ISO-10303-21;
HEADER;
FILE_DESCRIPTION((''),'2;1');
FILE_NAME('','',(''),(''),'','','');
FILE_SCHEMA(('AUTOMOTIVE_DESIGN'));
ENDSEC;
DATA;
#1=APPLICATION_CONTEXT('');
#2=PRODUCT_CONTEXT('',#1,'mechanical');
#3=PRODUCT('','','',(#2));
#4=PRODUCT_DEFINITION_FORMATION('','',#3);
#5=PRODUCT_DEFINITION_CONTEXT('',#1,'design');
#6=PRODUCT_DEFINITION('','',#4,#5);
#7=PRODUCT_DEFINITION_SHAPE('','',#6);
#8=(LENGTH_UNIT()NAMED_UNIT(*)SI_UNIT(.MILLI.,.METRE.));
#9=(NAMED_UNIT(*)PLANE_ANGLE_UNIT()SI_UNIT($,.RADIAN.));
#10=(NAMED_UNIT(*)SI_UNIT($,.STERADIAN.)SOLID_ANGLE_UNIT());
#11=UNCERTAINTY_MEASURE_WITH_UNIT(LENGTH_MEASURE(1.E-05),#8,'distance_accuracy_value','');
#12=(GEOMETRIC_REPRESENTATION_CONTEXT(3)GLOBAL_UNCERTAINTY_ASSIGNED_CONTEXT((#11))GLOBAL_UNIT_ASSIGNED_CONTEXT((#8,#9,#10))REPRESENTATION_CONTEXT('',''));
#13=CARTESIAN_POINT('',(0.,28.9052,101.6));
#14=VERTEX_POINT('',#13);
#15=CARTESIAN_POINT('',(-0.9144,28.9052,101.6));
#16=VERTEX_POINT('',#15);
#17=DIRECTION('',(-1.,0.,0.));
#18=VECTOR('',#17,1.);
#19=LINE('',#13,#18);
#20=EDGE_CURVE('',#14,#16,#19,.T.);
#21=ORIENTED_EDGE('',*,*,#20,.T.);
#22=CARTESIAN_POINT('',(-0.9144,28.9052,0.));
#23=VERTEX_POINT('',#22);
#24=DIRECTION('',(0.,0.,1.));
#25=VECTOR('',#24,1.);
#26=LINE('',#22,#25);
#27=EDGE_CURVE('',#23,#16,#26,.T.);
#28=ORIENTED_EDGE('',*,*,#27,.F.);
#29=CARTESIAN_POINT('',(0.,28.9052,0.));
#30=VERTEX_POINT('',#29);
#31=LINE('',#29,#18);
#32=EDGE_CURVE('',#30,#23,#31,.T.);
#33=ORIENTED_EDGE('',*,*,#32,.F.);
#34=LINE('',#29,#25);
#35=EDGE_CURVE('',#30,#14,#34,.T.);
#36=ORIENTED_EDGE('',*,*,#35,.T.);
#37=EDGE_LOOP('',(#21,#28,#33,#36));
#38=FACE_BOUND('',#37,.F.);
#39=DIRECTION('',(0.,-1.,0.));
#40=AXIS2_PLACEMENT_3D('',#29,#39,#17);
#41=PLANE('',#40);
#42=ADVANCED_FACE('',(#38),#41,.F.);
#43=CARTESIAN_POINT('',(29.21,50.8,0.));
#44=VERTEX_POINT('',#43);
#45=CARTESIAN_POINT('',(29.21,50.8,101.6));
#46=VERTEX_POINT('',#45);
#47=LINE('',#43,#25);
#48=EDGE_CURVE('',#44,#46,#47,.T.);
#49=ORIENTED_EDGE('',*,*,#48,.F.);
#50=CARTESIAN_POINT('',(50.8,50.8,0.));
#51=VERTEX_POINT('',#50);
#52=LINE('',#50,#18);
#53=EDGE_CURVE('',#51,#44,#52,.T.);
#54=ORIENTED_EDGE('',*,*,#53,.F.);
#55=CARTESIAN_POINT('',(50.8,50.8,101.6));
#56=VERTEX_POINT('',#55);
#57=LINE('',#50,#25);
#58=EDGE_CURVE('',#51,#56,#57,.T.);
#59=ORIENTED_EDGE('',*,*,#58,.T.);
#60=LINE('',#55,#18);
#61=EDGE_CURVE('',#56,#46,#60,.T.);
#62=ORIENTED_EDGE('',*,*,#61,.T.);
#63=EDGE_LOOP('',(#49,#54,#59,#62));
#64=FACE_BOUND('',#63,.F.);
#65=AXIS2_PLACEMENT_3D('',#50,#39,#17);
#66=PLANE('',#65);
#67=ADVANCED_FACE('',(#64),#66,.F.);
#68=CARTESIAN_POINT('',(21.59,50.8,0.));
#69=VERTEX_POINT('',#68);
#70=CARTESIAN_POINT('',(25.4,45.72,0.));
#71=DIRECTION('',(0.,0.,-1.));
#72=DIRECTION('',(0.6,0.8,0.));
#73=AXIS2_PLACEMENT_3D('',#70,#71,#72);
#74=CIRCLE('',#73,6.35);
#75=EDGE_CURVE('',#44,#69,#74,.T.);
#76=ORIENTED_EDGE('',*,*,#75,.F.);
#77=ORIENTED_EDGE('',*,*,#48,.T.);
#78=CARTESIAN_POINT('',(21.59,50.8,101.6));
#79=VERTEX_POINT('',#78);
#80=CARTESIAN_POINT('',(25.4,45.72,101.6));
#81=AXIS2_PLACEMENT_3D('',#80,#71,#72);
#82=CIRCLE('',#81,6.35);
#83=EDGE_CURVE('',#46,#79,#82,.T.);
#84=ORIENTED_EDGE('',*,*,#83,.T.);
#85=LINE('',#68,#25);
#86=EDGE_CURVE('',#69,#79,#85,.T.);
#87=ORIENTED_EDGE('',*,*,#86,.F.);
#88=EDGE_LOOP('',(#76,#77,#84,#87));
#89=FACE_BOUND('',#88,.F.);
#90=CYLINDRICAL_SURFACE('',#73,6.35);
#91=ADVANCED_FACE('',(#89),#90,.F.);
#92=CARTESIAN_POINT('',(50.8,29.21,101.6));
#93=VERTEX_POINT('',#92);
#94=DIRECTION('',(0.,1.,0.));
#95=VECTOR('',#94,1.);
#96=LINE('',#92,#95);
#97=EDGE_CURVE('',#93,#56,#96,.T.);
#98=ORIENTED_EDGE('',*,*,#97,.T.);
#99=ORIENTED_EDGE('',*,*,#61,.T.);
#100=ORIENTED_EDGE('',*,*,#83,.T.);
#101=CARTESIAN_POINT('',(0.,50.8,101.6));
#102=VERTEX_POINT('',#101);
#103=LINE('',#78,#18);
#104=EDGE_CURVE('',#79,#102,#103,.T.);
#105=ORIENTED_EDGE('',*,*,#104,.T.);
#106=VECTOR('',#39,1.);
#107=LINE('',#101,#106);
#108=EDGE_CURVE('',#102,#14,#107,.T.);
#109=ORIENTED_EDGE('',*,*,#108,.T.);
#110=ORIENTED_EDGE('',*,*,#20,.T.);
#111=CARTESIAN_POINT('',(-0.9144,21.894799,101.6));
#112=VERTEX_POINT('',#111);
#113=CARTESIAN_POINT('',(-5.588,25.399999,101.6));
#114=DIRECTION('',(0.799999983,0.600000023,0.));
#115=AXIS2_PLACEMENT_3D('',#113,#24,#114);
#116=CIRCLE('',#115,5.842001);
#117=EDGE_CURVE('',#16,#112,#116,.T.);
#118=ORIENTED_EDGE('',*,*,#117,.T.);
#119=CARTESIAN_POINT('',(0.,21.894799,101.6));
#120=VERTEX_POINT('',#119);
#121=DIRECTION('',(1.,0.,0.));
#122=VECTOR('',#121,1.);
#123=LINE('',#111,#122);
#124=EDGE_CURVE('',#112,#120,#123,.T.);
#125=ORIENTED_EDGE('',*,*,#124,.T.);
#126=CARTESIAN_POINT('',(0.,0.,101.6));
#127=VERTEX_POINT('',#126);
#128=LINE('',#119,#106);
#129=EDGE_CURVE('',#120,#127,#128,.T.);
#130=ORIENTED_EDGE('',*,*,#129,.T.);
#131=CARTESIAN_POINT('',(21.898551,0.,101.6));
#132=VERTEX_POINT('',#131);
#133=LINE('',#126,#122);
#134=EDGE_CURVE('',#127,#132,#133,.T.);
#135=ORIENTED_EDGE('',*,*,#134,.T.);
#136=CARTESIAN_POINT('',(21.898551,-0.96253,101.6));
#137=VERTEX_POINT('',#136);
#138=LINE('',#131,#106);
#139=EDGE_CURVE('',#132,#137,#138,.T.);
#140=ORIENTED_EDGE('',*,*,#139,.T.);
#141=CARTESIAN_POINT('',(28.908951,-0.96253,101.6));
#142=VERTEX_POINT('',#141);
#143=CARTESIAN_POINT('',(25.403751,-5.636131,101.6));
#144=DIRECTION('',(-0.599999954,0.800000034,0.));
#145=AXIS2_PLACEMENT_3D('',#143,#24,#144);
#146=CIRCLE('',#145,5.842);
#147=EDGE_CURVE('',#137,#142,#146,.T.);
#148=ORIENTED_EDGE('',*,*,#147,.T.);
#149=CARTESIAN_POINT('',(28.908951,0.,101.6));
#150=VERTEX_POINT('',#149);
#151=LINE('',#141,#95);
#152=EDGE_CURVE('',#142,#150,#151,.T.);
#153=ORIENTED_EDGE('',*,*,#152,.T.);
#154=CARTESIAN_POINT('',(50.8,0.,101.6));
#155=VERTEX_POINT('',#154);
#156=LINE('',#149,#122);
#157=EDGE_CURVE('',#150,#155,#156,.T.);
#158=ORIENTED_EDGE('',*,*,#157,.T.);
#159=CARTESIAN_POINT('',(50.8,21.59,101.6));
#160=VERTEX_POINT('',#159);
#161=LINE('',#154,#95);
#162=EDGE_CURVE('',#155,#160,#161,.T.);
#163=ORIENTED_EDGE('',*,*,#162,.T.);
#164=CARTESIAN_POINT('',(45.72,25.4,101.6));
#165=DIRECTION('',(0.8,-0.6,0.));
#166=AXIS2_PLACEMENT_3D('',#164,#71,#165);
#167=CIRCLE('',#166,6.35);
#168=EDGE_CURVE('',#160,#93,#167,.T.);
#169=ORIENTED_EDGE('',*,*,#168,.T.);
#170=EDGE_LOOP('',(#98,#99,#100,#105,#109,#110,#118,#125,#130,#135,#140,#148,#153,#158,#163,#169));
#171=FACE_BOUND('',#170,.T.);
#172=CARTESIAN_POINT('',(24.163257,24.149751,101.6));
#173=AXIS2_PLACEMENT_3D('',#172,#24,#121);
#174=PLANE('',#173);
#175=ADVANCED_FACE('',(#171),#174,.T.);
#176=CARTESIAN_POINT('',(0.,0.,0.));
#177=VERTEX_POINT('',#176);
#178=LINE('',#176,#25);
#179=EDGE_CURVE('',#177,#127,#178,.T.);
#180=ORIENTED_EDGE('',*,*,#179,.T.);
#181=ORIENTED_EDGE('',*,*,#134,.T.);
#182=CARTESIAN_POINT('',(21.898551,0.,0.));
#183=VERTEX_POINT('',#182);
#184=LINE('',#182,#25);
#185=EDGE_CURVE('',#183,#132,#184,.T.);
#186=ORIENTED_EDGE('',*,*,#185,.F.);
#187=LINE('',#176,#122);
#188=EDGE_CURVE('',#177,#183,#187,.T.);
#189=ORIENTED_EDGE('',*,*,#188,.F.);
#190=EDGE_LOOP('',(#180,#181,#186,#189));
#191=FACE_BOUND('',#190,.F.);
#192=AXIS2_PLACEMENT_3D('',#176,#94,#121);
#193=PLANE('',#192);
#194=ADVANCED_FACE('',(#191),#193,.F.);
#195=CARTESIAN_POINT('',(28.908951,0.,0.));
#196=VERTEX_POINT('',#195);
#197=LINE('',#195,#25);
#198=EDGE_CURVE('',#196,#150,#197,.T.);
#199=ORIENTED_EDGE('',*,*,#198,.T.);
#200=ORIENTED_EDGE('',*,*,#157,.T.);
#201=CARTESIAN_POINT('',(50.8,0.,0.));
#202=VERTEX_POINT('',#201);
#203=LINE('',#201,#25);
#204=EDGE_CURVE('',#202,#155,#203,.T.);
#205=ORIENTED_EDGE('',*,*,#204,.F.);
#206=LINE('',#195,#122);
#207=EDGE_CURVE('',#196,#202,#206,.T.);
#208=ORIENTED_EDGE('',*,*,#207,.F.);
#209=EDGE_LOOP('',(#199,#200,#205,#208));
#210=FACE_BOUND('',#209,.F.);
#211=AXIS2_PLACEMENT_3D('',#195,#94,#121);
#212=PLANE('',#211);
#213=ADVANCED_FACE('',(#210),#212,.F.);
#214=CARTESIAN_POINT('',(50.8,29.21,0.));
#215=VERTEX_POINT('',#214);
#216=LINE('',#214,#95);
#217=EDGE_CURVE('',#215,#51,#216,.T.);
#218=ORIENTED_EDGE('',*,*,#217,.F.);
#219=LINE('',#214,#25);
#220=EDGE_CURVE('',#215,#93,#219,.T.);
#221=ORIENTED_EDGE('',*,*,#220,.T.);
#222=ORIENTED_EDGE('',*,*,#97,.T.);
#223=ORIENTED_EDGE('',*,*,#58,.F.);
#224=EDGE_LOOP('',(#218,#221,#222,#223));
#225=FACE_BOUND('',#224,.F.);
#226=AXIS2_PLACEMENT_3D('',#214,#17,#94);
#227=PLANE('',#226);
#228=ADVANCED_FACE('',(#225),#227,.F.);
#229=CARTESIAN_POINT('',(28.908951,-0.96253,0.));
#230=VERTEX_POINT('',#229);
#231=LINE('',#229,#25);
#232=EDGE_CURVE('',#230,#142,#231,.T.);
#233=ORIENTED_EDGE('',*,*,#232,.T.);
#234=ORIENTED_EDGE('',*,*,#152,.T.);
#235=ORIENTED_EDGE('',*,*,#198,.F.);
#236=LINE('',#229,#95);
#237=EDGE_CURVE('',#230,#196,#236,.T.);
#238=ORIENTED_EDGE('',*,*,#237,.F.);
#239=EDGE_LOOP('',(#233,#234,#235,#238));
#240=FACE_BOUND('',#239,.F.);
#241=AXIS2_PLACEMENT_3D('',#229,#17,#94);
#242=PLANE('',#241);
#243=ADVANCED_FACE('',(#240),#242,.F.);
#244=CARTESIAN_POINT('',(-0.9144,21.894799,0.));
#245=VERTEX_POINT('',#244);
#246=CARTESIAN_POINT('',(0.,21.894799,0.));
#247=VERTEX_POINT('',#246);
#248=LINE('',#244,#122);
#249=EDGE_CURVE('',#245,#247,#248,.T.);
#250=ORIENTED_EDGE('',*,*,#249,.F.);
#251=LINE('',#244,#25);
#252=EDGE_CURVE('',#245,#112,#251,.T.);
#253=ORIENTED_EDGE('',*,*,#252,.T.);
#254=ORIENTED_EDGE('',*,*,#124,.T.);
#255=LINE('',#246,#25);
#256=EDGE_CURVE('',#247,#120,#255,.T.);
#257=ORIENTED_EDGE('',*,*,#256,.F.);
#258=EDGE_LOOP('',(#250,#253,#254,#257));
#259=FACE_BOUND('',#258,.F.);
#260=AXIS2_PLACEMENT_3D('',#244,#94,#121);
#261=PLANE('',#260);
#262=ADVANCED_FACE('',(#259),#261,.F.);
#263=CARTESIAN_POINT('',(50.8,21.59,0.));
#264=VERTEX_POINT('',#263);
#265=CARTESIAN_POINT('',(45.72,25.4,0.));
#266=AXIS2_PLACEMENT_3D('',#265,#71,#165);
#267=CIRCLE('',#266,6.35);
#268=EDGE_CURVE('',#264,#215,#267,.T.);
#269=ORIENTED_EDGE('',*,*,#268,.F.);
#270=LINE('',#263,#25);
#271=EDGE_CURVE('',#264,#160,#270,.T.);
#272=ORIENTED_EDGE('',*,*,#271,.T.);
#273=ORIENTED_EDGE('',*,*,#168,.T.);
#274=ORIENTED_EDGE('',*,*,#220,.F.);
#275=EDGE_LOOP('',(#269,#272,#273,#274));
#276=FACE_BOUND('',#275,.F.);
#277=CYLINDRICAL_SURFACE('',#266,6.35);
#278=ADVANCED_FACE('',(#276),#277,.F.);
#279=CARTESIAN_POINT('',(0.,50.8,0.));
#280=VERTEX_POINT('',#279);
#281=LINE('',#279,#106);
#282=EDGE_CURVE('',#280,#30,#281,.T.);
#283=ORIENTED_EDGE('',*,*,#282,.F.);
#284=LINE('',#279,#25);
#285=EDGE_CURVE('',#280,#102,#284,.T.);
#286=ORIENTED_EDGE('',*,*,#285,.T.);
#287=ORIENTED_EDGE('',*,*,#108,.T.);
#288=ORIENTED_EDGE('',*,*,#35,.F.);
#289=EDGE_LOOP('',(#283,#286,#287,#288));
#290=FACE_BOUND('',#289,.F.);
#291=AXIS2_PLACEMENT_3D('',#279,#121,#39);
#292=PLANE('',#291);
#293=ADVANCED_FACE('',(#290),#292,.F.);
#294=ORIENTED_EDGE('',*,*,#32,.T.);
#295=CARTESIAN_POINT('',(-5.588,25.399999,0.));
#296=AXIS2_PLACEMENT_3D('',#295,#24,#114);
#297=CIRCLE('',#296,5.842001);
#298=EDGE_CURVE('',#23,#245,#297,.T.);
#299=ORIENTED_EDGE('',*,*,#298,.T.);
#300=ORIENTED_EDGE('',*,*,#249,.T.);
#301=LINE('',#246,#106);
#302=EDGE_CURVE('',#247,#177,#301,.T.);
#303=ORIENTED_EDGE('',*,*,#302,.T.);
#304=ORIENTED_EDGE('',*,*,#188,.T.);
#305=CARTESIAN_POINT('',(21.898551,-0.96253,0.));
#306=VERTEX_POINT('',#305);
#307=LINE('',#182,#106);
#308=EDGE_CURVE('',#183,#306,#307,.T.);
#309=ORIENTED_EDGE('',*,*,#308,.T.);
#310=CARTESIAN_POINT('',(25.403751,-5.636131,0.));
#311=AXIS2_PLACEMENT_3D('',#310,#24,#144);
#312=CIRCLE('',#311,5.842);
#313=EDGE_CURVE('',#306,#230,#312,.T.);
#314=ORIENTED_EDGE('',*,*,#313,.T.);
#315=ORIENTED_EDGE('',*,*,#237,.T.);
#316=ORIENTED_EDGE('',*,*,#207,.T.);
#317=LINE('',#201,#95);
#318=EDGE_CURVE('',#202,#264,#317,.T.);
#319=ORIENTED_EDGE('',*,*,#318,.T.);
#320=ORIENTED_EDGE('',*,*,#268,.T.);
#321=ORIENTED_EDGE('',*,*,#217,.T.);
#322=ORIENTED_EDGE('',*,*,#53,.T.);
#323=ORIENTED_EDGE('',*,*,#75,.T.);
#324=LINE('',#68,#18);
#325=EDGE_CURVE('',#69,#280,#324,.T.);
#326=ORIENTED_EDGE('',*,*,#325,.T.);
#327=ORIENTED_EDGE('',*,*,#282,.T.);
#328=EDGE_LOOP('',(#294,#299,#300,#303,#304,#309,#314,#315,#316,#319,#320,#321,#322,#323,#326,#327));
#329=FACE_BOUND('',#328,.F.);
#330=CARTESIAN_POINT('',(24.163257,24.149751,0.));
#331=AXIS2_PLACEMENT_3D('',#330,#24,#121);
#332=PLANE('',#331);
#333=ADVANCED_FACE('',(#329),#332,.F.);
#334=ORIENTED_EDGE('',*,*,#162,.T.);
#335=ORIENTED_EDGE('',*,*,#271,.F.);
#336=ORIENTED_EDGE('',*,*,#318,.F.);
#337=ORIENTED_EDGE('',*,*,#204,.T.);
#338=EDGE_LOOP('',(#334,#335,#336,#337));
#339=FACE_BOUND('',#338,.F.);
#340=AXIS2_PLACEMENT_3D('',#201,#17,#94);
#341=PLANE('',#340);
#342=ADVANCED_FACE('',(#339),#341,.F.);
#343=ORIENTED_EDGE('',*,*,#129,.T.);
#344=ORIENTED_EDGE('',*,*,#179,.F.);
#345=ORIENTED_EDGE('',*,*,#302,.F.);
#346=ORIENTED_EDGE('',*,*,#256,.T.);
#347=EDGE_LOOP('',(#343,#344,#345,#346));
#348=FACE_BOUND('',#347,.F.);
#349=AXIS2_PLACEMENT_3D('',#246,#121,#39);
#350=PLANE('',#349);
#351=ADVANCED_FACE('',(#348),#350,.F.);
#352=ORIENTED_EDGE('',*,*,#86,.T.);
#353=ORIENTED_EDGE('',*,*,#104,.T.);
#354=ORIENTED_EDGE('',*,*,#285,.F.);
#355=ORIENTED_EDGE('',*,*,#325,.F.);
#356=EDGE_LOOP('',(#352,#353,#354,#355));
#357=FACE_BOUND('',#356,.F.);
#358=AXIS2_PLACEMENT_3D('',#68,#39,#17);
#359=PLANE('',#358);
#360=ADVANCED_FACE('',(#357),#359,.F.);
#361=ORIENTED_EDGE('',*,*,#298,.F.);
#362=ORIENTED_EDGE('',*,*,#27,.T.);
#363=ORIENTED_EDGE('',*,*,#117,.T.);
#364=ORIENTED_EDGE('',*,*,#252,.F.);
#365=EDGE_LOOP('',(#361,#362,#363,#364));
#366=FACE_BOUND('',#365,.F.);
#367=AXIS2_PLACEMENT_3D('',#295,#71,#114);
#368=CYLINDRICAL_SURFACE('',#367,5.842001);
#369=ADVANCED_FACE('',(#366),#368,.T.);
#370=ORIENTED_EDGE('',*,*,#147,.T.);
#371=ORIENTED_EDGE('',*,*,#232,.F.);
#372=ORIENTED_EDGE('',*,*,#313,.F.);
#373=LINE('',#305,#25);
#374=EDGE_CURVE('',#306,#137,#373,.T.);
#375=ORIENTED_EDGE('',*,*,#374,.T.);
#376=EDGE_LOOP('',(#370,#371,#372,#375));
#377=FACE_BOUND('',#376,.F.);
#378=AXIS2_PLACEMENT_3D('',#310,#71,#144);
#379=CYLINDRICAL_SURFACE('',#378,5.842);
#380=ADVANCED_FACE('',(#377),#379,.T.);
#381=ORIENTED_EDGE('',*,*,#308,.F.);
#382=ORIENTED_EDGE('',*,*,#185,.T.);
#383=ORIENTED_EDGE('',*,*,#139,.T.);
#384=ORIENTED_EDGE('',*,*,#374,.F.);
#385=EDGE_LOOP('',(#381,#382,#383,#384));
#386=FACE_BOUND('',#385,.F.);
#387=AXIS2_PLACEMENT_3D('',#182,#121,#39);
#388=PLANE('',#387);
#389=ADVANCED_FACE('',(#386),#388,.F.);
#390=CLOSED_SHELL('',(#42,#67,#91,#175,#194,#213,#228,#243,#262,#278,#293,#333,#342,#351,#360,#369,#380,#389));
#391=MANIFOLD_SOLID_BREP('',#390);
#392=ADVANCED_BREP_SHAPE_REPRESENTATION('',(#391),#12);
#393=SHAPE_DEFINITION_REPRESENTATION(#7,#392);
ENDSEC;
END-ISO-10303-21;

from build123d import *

# Parameters (mm, degrees)
F1_DEPTH = 101.6


with BuildPart() as f1:
    # F0 (on Top) → F1 (new body)
    with BuildSketch(Plane.XY):
        with BuildLine():
            Line((0, 21.894799), (0, 0))
            Line((0, 0), (21.898551, 0))
            Line((21.898551, 0), (21.898551, -0.96253))
            ThreePointArc((21.898551, -0.96253), (25.403751, -11.478131), (28.908951, -0.96253))
            Line((28.908951, -0.96253), (28.908951, 0))
            Line((28.908951, 0), (50.8, 0))
            Line((50.8, 0), (50.8, 21.59))
            ThreePointArc((50.8, 21.59), (39.37, 25.4), (50.8, 29.21))
            Line((50.8, 29.21), (50.8, 50.8))
            Line((50.8, 50.8), (29.21, 50.8))
            ThreePointArc((29.21, 50.8), (25.4, 39.37), (21.59, 50.8))
            Line((21.59, 50.8), (0, 50.8))
            Line((0, 50.8), (0, 28.9052))
            Line((0, 28.9052), (-0.9144, 28.9052))
            ThreePointArc((-0.9144, 28.9052), (-11.430001, 25.4), (-0.9144, 21.894799))
            Line((-0.9144, 21.894799), (0, 21.894799))
        make_face()
    extrude(amount=F1_DEPTH)


solid = f1.part
